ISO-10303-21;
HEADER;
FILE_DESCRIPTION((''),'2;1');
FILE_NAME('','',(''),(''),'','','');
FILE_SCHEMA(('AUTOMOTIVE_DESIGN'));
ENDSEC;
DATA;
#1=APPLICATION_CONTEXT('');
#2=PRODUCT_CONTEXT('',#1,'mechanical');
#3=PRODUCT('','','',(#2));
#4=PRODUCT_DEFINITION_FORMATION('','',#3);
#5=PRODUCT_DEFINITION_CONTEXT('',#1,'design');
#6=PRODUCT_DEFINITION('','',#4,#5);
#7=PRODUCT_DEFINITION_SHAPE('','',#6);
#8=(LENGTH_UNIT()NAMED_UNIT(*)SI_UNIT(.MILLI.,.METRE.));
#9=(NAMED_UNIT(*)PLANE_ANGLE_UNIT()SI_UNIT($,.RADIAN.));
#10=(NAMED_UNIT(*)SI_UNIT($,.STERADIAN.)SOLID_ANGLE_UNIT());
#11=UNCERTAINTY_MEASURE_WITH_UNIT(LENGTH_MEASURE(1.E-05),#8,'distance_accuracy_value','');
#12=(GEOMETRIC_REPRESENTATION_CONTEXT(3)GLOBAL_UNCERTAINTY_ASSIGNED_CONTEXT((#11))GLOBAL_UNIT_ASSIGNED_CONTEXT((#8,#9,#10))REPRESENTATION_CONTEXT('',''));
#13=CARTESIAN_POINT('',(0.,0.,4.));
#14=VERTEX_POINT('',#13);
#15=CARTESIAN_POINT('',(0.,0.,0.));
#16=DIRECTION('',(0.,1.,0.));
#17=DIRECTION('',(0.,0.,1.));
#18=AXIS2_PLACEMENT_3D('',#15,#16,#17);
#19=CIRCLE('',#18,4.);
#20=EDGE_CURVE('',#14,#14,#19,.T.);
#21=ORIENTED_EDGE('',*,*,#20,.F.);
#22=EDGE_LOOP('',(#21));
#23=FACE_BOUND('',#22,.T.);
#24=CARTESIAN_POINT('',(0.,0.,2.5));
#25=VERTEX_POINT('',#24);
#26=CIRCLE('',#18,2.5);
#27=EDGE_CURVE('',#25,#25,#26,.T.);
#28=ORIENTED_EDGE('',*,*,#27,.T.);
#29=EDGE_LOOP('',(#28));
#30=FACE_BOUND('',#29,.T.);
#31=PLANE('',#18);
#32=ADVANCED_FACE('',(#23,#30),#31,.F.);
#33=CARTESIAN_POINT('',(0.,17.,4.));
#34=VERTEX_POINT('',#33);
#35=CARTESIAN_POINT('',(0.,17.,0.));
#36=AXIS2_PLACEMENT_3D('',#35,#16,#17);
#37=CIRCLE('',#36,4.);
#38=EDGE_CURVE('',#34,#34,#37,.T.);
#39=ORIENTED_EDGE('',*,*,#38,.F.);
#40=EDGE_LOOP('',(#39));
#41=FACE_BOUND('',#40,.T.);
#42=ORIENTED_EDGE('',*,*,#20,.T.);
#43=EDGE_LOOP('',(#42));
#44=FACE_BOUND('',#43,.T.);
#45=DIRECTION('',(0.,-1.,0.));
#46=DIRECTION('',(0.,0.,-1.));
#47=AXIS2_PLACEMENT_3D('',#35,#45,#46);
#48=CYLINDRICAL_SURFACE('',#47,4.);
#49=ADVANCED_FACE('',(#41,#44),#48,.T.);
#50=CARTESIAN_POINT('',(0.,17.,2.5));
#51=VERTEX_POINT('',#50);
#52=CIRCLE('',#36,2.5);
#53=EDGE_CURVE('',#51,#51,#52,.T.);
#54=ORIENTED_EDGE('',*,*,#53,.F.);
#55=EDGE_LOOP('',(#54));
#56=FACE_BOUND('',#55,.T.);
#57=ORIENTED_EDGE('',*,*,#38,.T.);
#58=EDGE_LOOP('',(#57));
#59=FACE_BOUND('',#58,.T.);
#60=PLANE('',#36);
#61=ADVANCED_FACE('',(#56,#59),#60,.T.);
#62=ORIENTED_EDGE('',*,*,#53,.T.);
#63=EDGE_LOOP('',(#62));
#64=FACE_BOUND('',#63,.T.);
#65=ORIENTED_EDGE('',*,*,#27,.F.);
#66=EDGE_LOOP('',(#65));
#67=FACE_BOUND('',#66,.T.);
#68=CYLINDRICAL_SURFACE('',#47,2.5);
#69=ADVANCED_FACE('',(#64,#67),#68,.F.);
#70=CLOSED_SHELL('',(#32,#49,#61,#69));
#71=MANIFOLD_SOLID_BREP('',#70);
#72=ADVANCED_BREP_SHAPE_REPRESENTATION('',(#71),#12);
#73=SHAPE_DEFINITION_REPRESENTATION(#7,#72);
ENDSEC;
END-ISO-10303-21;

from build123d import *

# Parameters (mm, degrees)
SKETCH2_R           = 4
SKETCH2_R_2         = 2.5
BOSS_EXTRUDE1_DEPTH = 17


with BuildPart() as part:
    # Sketch2 → Boss-Extrude1 (new body)
    with BuildSketch(Plane(origin=(0, 0, 0), x_dir=(1, 0, 0), z_dir=(0, 1, 0))):
        Circle(SKETCH2_R)
        Circle(SKETCH2_R_2, mode=Mode.SUBTRACT)
    extrude(amount=BOSS_EXTRUDE1_DEPTH)


solid = part.part
